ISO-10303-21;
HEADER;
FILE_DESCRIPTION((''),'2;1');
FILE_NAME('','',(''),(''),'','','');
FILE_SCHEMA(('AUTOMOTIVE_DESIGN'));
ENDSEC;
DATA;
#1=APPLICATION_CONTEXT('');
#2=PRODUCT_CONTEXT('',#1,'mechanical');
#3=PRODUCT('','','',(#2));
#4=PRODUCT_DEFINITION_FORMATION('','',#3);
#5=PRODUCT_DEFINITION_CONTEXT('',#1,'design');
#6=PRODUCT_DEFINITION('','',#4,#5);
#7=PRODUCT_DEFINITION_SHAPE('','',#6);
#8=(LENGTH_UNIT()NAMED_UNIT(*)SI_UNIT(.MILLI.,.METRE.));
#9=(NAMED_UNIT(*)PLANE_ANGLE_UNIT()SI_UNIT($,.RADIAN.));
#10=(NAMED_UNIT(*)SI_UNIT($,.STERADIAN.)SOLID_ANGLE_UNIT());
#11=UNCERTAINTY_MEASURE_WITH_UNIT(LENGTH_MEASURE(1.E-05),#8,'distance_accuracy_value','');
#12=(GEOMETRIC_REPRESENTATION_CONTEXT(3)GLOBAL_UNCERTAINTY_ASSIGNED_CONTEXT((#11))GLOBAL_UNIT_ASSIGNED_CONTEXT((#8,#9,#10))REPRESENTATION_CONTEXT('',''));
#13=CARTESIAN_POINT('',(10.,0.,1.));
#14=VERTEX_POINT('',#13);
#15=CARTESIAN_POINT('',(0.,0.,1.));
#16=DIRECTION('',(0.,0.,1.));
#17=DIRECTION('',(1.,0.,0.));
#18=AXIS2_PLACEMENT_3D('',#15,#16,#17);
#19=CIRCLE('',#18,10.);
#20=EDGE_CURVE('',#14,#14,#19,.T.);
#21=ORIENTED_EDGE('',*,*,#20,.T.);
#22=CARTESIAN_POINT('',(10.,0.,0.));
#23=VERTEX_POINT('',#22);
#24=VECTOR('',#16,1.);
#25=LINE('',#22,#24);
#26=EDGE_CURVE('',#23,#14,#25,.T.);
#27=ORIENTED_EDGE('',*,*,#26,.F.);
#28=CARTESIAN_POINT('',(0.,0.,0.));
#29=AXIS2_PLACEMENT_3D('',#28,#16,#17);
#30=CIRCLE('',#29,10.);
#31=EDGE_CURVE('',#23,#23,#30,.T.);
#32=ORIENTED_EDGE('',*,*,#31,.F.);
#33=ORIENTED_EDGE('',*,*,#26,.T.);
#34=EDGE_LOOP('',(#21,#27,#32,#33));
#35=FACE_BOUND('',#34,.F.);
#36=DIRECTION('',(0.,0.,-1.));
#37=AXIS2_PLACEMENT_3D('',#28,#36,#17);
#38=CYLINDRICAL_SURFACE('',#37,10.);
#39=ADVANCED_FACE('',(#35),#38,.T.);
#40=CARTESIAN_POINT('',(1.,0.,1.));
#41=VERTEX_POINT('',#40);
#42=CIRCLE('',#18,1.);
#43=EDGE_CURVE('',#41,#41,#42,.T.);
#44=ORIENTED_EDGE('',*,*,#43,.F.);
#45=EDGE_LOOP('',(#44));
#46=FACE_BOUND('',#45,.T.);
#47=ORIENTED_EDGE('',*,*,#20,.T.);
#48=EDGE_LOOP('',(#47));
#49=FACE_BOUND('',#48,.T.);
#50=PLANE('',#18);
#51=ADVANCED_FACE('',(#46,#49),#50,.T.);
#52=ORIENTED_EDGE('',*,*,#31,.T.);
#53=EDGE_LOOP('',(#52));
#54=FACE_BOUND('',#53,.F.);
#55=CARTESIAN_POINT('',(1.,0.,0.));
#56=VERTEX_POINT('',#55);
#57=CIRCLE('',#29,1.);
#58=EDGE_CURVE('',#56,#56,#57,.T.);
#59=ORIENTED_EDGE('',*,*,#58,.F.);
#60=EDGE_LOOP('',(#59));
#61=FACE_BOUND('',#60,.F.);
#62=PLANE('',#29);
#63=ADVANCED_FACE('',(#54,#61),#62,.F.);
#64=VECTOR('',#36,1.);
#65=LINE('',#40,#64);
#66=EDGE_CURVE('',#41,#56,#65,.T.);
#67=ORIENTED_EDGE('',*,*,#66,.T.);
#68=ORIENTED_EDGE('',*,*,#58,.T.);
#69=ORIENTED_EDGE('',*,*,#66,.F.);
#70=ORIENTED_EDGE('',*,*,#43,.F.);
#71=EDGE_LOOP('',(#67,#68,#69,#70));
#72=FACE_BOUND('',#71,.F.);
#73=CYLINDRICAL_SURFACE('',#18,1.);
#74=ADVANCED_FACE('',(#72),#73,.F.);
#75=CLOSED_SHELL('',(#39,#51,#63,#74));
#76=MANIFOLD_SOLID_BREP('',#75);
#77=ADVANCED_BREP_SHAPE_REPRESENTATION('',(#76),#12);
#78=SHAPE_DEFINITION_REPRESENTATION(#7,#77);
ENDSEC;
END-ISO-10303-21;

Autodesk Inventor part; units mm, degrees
ref_plane "YZ Plane" through (0, 0, 0) normal (1, 0, 0) x (0, 1, 0)
ref_plane "XZ Plane" through (0, 0, 0) normal (0, 1, 0) x (-1, 0, 0)
ref_plane "XY Plane" through (0, 0, 0) normal (0, 0, 1) x (1, 0, 0)
sketch "Sketch1" plane through (0, 0, 0) normal (0, 0, 1) x (1, 0, 0)
  circle A0 centre (0, 0) radius 10
  arc A1 (-5.3178, -3.2838) -> (6.2494, -0.09) centre (0, 0) ccw projected
  dimension "d0" = 20
extrude "Extrusion1" add sketch "Sketch1" along normal blind 1
sketch "Sketch2" plane through (0, 0, 1) normal (0, 0, 1) x (1, 0, 0)
  circle A0 centre (0, 0) radius 1
  dimension "d3" = 2
extrude "Extrusion2" cut sketch "Sketch2" against normal blind 25.4
properties part number "Sealer"
